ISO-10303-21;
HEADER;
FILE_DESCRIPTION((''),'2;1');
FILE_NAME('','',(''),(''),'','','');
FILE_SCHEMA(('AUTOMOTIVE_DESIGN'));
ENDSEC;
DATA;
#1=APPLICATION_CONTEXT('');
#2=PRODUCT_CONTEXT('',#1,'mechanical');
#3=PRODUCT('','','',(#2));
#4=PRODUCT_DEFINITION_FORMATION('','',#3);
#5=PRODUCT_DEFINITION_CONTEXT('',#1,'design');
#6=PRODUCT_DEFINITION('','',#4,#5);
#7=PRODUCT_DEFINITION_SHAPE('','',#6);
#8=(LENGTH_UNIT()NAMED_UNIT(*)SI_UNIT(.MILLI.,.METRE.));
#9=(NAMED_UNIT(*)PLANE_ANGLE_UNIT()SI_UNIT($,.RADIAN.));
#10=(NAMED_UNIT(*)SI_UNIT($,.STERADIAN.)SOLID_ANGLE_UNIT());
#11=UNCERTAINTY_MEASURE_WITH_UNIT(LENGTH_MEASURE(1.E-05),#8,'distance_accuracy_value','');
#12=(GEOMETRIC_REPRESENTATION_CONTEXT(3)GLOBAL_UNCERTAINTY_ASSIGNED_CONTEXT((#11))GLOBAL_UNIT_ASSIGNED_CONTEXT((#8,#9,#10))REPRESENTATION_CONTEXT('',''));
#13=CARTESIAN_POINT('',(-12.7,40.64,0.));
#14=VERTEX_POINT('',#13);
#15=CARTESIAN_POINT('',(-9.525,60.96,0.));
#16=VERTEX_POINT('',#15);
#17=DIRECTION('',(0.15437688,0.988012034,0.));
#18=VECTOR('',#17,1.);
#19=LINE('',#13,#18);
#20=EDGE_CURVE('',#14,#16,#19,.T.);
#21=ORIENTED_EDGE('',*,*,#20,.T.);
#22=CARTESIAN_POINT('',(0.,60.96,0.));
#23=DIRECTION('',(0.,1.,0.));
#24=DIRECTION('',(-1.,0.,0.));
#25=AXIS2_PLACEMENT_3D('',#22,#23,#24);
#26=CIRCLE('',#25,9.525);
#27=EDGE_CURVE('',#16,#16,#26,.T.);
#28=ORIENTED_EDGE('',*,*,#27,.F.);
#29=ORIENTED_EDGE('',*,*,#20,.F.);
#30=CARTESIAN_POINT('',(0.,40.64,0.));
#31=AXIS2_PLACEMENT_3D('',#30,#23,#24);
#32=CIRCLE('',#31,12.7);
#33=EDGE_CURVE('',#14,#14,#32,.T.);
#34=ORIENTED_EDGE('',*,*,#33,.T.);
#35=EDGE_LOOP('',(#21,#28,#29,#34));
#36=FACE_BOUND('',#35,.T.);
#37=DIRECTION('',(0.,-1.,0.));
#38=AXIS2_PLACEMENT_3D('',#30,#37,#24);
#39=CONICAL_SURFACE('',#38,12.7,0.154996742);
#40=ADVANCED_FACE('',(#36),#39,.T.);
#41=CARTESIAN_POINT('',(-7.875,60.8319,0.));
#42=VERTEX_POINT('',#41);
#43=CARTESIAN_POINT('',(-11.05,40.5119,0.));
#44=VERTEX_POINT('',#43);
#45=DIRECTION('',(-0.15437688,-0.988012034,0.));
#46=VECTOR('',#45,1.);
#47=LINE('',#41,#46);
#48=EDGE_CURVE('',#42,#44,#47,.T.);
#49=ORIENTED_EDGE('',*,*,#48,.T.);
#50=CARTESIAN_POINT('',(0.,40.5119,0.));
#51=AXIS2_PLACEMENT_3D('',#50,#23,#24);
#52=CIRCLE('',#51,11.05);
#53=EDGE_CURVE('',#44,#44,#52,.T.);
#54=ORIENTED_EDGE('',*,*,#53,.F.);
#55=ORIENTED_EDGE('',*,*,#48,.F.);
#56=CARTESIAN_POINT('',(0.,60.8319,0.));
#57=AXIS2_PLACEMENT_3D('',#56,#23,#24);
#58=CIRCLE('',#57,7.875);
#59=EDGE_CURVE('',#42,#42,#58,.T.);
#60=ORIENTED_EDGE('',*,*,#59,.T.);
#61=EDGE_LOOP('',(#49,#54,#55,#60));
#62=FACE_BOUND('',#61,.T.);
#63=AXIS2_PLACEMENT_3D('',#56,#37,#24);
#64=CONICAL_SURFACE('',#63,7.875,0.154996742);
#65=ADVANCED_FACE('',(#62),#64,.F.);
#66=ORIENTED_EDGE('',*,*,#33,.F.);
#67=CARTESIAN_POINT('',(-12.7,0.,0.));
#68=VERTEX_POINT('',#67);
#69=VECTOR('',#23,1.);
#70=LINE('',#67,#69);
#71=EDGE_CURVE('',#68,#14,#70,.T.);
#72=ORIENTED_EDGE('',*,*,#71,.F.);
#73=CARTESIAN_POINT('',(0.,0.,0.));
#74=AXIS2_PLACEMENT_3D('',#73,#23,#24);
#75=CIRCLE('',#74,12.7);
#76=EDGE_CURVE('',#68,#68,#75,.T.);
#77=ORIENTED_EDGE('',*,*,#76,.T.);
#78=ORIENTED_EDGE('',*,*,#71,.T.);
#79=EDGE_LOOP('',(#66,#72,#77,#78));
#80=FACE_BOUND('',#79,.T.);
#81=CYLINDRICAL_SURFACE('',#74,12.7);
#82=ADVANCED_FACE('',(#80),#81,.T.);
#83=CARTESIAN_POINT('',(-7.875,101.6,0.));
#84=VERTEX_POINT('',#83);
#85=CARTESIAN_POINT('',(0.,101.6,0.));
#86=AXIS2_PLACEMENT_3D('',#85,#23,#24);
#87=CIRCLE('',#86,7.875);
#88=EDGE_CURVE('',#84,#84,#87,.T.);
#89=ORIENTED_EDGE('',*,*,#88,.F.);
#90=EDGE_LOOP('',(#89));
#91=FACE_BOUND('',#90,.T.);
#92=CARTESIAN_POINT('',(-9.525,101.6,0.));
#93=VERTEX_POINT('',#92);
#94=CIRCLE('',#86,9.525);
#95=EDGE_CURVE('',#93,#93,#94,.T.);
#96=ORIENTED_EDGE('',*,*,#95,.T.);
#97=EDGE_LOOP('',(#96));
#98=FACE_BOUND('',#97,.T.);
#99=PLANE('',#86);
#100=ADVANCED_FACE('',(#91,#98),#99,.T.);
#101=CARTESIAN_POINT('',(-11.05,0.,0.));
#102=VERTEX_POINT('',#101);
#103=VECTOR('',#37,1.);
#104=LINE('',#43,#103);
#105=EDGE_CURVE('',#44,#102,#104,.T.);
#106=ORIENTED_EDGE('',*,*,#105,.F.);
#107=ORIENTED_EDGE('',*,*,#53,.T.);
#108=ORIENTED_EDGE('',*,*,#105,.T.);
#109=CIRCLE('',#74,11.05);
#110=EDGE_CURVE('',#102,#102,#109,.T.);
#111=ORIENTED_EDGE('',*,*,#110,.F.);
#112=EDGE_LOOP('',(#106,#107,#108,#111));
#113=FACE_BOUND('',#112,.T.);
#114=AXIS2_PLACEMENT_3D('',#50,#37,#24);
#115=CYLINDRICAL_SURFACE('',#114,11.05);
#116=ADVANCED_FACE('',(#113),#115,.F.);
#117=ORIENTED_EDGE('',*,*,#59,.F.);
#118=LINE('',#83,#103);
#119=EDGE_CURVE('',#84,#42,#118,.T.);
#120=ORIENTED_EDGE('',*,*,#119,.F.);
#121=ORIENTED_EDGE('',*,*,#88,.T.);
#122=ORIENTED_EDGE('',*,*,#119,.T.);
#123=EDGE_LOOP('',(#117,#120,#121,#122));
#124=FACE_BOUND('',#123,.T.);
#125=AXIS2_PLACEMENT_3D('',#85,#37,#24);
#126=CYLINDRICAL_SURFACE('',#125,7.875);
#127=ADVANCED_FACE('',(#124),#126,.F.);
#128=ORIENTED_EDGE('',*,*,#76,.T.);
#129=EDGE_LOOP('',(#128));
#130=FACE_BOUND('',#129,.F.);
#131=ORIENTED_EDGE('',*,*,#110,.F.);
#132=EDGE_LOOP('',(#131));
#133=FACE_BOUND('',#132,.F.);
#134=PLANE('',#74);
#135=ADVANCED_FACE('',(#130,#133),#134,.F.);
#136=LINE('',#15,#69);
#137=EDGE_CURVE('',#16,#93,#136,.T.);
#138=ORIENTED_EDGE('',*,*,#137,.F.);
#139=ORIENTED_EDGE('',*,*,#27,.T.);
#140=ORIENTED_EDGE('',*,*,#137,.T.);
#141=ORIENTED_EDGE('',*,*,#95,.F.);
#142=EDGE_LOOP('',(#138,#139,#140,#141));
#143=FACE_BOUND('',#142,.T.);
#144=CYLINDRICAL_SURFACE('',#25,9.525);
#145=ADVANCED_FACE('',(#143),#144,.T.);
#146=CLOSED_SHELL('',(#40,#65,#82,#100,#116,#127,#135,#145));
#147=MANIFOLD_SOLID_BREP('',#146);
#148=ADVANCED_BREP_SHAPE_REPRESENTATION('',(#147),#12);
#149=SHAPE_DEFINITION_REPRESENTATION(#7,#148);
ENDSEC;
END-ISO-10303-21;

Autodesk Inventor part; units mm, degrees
ref_plane "YZ Plane" through (0, 0, 0) normal (1, 0, 0) x (0, 1, 0)
ref_plane "XZ Plane" through (0, 0, 0) normal (0, 1, 0) x (-1, 0, 0)
ref_plane "XY Plane" through (0, 0, 0) normal (0, 0, 1) x (1, 0, 0)
sketch "Sketch1" plane through (0, 0, 0) normal (0, 0, 1) x (1, 0, 0)
  line L0 (0, 0) -> (0, 68.7718)
  line L1 (0, 0) -> (-35.2548, 0) construction
  line L2 (-12.7, 0) -> (-12.7, 40.64)
  line L3 (-12.7, 40.64) -> (-9.525, 60.96)
  line L4 (-9.525, 60.96) -> (-9.525, 101.6)
  line L5 (-7.875, 101.6) -> (-7.875, 60.8319)
  line L6 (-7.875, 60.8319) -> (-11.05, 40.5119)
  line L7 (-11.05, 40.5119) -> (-11.05, 0)
  line L8 (-12.7, 0) -> (-11.05, 0)
  line L9 (-9.525, 101.6) -> (-7.875, 101.6)
  dimension "d0" = 1.65
  dimension "d1" = 19.05
  dimension "d2" = 40.64
  dimension "d3" = 40.64
  dimension "d4" = 101.6
  dimension "d5" = 25.4
revolve "Revolution1" add sketch "Sketch1" angle 360 about axis through (0, 0, 0) along (0, 1, 0)
equation "\"d2\" = 0.4 * d4"
equation "\"d3\" = d2"
properties part number "ASME BPE CON RED-25.4-19.05"
